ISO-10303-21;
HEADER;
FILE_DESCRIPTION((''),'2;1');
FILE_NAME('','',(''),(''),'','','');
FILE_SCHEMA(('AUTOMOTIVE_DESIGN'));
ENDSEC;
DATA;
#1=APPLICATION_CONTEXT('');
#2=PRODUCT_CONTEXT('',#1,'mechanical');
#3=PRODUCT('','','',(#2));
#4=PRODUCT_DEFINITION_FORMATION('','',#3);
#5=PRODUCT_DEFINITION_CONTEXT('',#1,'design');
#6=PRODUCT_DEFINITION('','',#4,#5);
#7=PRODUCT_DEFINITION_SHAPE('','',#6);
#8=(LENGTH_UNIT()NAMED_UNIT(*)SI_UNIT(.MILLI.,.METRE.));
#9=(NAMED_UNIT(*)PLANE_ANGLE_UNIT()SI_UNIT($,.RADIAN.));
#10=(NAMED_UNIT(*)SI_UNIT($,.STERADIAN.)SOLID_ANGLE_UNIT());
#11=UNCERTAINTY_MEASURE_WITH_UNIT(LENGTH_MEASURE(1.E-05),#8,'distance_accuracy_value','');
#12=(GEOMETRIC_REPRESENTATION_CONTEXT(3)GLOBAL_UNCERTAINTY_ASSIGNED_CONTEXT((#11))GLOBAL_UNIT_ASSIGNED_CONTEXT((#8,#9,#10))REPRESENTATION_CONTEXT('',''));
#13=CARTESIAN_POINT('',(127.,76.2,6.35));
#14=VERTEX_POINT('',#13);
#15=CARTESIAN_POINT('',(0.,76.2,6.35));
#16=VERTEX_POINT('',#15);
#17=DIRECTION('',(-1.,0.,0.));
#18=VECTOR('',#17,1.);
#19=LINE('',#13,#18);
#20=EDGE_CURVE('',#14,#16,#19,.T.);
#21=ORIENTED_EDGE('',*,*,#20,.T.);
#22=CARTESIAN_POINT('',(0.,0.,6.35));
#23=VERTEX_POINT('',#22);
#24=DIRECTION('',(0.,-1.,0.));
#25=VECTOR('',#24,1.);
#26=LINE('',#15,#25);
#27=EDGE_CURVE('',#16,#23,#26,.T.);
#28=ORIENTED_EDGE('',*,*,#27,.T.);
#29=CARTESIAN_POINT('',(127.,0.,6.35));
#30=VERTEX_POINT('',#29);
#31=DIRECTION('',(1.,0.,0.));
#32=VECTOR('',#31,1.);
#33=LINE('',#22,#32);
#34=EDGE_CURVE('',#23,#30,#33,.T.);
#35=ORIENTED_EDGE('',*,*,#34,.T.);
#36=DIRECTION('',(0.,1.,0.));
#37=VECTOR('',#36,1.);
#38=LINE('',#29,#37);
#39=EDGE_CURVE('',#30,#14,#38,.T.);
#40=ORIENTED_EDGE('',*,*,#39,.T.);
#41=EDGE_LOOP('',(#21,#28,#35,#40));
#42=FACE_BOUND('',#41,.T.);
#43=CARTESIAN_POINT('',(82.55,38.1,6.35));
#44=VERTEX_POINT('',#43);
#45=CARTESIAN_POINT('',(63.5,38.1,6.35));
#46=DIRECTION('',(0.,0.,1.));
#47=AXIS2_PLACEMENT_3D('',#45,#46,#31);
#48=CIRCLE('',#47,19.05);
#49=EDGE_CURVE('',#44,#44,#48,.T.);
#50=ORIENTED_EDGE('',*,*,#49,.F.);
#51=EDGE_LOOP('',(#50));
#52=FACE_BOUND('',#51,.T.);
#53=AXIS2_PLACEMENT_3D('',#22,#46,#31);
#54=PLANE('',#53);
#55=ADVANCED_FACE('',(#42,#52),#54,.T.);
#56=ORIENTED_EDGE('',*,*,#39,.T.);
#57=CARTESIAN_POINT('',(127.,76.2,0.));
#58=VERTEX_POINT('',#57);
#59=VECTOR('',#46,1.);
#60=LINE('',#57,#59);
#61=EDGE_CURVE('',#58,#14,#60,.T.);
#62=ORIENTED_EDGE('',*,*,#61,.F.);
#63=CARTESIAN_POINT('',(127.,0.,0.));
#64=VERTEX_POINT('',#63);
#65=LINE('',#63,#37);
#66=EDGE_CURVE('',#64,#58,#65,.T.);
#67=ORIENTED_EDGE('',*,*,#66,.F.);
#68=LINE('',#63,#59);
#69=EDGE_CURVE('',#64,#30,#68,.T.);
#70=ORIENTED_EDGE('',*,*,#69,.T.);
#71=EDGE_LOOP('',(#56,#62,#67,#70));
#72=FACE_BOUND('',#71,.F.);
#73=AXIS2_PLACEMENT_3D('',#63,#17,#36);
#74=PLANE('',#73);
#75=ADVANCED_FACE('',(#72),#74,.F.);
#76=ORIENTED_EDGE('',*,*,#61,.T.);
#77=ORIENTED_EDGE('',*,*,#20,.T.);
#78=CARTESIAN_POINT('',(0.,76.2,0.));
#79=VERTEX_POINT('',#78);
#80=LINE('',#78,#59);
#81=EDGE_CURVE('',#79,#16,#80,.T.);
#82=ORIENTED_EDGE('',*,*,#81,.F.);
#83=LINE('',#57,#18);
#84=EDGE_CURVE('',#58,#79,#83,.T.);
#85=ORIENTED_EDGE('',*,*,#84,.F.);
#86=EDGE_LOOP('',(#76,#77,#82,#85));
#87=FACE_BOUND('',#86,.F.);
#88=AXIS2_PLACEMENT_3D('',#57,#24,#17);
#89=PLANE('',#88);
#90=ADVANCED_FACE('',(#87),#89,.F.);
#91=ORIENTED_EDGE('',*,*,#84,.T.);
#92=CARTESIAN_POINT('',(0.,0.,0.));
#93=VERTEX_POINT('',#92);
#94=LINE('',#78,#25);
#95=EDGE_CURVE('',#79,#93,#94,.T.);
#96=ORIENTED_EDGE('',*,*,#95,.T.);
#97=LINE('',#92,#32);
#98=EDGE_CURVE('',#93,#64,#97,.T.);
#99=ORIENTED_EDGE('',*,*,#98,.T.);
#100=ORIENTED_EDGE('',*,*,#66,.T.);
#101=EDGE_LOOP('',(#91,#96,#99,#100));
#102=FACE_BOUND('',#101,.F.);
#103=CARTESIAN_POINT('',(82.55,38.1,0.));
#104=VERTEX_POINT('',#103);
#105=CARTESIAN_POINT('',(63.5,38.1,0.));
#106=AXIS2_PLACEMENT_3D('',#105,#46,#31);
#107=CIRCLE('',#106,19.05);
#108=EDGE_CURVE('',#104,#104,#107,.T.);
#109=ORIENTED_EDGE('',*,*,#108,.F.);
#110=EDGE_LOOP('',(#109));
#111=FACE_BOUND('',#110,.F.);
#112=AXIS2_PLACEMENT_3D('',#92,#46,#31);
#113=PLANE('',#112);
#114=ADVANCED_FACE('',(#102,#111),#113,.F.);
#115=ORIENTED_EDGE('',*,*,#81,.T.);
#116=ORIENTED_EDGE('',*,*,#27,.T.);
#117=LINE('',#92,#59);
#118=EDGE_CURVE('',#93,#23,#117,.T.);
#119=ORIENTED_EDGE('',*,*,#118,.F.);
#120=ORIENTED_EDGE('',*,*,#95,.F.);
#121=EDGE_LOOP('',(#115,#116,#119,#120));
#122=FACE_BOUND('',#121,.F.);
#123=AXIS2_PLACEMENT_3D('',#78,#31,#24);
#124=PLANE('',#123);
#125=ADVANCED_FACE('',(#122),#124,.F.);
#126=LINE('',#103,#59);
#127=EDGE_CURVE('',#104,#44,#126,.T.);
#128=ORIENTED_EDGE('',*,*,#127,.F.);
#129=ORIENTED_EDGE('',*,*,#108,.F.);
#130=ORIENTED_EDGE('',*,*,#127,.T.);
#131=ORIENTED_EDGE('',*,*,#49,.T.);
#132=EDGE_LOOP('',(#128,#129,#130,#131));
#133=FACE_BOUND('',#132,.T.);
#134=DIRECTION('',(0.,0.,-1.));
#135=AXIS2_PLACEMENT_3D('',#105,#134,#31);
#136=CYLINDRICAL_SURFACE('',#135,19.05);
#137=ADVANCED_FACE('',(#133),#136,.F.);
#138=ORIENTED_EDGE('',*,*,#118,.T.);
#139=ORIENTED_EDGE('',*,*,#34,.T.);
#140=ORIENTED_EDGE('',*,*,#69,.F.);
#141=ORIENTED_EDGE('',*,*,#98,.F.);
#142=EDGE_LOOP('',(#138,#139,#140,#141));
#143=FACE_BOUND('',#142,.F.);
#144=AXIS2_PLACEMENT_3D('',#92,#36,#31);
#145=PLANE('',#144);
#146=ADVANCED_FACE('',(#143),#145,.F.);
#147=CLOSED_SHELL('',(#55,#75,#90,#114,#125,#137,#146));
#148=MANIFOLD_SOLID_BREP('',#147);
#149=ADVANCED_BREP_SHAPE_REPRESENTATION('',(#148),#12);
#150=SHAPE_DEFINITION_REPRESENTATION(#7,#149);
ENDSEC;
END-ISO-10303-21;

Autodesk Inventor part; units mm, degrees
ref_plane "YZ Plane" through (0, 0, 0) normal (1, 0, 0) x (0, 1, 0)
ref_plane "XZ Plane" through (0, 0, 0) normal (0, 1, 0) x (-1, 0, 0)
ref_plane "XY Plane" through (0, 0, 0) normal (0, 0, 1) x (1, 0, 0)
sketch "Sketch1" plane through (0, 0, 0) normal (0, 0, 1) x (1, 0, 0)
  line L0 (0, 0) -> (127, 0)
  line L1 (127, 0) -> (127, 76.2)
  line L2 (127, 76.2) -> (0, 76.2)
  line L3 (0, 76.2) -> (0, 0)
  circle A0 centre (63.5, 38.1) radius 19.05
  dimension "d0" = 127
  dimension "d1" = 76.2
  dimension "d2" = 38.1
  dimension "d3" = 63.5
  dimension "d4" = 38.1
extrude "Extrusion1" add sketch "Sketch1" along normal blind 6.35
equation "\"d2\" = 0.5 * d1"
equation "\"d3\" = 0.5 * d0"
equation "\"d4\" = 0.5 * d1"
properties part number "Tuorial 1"
